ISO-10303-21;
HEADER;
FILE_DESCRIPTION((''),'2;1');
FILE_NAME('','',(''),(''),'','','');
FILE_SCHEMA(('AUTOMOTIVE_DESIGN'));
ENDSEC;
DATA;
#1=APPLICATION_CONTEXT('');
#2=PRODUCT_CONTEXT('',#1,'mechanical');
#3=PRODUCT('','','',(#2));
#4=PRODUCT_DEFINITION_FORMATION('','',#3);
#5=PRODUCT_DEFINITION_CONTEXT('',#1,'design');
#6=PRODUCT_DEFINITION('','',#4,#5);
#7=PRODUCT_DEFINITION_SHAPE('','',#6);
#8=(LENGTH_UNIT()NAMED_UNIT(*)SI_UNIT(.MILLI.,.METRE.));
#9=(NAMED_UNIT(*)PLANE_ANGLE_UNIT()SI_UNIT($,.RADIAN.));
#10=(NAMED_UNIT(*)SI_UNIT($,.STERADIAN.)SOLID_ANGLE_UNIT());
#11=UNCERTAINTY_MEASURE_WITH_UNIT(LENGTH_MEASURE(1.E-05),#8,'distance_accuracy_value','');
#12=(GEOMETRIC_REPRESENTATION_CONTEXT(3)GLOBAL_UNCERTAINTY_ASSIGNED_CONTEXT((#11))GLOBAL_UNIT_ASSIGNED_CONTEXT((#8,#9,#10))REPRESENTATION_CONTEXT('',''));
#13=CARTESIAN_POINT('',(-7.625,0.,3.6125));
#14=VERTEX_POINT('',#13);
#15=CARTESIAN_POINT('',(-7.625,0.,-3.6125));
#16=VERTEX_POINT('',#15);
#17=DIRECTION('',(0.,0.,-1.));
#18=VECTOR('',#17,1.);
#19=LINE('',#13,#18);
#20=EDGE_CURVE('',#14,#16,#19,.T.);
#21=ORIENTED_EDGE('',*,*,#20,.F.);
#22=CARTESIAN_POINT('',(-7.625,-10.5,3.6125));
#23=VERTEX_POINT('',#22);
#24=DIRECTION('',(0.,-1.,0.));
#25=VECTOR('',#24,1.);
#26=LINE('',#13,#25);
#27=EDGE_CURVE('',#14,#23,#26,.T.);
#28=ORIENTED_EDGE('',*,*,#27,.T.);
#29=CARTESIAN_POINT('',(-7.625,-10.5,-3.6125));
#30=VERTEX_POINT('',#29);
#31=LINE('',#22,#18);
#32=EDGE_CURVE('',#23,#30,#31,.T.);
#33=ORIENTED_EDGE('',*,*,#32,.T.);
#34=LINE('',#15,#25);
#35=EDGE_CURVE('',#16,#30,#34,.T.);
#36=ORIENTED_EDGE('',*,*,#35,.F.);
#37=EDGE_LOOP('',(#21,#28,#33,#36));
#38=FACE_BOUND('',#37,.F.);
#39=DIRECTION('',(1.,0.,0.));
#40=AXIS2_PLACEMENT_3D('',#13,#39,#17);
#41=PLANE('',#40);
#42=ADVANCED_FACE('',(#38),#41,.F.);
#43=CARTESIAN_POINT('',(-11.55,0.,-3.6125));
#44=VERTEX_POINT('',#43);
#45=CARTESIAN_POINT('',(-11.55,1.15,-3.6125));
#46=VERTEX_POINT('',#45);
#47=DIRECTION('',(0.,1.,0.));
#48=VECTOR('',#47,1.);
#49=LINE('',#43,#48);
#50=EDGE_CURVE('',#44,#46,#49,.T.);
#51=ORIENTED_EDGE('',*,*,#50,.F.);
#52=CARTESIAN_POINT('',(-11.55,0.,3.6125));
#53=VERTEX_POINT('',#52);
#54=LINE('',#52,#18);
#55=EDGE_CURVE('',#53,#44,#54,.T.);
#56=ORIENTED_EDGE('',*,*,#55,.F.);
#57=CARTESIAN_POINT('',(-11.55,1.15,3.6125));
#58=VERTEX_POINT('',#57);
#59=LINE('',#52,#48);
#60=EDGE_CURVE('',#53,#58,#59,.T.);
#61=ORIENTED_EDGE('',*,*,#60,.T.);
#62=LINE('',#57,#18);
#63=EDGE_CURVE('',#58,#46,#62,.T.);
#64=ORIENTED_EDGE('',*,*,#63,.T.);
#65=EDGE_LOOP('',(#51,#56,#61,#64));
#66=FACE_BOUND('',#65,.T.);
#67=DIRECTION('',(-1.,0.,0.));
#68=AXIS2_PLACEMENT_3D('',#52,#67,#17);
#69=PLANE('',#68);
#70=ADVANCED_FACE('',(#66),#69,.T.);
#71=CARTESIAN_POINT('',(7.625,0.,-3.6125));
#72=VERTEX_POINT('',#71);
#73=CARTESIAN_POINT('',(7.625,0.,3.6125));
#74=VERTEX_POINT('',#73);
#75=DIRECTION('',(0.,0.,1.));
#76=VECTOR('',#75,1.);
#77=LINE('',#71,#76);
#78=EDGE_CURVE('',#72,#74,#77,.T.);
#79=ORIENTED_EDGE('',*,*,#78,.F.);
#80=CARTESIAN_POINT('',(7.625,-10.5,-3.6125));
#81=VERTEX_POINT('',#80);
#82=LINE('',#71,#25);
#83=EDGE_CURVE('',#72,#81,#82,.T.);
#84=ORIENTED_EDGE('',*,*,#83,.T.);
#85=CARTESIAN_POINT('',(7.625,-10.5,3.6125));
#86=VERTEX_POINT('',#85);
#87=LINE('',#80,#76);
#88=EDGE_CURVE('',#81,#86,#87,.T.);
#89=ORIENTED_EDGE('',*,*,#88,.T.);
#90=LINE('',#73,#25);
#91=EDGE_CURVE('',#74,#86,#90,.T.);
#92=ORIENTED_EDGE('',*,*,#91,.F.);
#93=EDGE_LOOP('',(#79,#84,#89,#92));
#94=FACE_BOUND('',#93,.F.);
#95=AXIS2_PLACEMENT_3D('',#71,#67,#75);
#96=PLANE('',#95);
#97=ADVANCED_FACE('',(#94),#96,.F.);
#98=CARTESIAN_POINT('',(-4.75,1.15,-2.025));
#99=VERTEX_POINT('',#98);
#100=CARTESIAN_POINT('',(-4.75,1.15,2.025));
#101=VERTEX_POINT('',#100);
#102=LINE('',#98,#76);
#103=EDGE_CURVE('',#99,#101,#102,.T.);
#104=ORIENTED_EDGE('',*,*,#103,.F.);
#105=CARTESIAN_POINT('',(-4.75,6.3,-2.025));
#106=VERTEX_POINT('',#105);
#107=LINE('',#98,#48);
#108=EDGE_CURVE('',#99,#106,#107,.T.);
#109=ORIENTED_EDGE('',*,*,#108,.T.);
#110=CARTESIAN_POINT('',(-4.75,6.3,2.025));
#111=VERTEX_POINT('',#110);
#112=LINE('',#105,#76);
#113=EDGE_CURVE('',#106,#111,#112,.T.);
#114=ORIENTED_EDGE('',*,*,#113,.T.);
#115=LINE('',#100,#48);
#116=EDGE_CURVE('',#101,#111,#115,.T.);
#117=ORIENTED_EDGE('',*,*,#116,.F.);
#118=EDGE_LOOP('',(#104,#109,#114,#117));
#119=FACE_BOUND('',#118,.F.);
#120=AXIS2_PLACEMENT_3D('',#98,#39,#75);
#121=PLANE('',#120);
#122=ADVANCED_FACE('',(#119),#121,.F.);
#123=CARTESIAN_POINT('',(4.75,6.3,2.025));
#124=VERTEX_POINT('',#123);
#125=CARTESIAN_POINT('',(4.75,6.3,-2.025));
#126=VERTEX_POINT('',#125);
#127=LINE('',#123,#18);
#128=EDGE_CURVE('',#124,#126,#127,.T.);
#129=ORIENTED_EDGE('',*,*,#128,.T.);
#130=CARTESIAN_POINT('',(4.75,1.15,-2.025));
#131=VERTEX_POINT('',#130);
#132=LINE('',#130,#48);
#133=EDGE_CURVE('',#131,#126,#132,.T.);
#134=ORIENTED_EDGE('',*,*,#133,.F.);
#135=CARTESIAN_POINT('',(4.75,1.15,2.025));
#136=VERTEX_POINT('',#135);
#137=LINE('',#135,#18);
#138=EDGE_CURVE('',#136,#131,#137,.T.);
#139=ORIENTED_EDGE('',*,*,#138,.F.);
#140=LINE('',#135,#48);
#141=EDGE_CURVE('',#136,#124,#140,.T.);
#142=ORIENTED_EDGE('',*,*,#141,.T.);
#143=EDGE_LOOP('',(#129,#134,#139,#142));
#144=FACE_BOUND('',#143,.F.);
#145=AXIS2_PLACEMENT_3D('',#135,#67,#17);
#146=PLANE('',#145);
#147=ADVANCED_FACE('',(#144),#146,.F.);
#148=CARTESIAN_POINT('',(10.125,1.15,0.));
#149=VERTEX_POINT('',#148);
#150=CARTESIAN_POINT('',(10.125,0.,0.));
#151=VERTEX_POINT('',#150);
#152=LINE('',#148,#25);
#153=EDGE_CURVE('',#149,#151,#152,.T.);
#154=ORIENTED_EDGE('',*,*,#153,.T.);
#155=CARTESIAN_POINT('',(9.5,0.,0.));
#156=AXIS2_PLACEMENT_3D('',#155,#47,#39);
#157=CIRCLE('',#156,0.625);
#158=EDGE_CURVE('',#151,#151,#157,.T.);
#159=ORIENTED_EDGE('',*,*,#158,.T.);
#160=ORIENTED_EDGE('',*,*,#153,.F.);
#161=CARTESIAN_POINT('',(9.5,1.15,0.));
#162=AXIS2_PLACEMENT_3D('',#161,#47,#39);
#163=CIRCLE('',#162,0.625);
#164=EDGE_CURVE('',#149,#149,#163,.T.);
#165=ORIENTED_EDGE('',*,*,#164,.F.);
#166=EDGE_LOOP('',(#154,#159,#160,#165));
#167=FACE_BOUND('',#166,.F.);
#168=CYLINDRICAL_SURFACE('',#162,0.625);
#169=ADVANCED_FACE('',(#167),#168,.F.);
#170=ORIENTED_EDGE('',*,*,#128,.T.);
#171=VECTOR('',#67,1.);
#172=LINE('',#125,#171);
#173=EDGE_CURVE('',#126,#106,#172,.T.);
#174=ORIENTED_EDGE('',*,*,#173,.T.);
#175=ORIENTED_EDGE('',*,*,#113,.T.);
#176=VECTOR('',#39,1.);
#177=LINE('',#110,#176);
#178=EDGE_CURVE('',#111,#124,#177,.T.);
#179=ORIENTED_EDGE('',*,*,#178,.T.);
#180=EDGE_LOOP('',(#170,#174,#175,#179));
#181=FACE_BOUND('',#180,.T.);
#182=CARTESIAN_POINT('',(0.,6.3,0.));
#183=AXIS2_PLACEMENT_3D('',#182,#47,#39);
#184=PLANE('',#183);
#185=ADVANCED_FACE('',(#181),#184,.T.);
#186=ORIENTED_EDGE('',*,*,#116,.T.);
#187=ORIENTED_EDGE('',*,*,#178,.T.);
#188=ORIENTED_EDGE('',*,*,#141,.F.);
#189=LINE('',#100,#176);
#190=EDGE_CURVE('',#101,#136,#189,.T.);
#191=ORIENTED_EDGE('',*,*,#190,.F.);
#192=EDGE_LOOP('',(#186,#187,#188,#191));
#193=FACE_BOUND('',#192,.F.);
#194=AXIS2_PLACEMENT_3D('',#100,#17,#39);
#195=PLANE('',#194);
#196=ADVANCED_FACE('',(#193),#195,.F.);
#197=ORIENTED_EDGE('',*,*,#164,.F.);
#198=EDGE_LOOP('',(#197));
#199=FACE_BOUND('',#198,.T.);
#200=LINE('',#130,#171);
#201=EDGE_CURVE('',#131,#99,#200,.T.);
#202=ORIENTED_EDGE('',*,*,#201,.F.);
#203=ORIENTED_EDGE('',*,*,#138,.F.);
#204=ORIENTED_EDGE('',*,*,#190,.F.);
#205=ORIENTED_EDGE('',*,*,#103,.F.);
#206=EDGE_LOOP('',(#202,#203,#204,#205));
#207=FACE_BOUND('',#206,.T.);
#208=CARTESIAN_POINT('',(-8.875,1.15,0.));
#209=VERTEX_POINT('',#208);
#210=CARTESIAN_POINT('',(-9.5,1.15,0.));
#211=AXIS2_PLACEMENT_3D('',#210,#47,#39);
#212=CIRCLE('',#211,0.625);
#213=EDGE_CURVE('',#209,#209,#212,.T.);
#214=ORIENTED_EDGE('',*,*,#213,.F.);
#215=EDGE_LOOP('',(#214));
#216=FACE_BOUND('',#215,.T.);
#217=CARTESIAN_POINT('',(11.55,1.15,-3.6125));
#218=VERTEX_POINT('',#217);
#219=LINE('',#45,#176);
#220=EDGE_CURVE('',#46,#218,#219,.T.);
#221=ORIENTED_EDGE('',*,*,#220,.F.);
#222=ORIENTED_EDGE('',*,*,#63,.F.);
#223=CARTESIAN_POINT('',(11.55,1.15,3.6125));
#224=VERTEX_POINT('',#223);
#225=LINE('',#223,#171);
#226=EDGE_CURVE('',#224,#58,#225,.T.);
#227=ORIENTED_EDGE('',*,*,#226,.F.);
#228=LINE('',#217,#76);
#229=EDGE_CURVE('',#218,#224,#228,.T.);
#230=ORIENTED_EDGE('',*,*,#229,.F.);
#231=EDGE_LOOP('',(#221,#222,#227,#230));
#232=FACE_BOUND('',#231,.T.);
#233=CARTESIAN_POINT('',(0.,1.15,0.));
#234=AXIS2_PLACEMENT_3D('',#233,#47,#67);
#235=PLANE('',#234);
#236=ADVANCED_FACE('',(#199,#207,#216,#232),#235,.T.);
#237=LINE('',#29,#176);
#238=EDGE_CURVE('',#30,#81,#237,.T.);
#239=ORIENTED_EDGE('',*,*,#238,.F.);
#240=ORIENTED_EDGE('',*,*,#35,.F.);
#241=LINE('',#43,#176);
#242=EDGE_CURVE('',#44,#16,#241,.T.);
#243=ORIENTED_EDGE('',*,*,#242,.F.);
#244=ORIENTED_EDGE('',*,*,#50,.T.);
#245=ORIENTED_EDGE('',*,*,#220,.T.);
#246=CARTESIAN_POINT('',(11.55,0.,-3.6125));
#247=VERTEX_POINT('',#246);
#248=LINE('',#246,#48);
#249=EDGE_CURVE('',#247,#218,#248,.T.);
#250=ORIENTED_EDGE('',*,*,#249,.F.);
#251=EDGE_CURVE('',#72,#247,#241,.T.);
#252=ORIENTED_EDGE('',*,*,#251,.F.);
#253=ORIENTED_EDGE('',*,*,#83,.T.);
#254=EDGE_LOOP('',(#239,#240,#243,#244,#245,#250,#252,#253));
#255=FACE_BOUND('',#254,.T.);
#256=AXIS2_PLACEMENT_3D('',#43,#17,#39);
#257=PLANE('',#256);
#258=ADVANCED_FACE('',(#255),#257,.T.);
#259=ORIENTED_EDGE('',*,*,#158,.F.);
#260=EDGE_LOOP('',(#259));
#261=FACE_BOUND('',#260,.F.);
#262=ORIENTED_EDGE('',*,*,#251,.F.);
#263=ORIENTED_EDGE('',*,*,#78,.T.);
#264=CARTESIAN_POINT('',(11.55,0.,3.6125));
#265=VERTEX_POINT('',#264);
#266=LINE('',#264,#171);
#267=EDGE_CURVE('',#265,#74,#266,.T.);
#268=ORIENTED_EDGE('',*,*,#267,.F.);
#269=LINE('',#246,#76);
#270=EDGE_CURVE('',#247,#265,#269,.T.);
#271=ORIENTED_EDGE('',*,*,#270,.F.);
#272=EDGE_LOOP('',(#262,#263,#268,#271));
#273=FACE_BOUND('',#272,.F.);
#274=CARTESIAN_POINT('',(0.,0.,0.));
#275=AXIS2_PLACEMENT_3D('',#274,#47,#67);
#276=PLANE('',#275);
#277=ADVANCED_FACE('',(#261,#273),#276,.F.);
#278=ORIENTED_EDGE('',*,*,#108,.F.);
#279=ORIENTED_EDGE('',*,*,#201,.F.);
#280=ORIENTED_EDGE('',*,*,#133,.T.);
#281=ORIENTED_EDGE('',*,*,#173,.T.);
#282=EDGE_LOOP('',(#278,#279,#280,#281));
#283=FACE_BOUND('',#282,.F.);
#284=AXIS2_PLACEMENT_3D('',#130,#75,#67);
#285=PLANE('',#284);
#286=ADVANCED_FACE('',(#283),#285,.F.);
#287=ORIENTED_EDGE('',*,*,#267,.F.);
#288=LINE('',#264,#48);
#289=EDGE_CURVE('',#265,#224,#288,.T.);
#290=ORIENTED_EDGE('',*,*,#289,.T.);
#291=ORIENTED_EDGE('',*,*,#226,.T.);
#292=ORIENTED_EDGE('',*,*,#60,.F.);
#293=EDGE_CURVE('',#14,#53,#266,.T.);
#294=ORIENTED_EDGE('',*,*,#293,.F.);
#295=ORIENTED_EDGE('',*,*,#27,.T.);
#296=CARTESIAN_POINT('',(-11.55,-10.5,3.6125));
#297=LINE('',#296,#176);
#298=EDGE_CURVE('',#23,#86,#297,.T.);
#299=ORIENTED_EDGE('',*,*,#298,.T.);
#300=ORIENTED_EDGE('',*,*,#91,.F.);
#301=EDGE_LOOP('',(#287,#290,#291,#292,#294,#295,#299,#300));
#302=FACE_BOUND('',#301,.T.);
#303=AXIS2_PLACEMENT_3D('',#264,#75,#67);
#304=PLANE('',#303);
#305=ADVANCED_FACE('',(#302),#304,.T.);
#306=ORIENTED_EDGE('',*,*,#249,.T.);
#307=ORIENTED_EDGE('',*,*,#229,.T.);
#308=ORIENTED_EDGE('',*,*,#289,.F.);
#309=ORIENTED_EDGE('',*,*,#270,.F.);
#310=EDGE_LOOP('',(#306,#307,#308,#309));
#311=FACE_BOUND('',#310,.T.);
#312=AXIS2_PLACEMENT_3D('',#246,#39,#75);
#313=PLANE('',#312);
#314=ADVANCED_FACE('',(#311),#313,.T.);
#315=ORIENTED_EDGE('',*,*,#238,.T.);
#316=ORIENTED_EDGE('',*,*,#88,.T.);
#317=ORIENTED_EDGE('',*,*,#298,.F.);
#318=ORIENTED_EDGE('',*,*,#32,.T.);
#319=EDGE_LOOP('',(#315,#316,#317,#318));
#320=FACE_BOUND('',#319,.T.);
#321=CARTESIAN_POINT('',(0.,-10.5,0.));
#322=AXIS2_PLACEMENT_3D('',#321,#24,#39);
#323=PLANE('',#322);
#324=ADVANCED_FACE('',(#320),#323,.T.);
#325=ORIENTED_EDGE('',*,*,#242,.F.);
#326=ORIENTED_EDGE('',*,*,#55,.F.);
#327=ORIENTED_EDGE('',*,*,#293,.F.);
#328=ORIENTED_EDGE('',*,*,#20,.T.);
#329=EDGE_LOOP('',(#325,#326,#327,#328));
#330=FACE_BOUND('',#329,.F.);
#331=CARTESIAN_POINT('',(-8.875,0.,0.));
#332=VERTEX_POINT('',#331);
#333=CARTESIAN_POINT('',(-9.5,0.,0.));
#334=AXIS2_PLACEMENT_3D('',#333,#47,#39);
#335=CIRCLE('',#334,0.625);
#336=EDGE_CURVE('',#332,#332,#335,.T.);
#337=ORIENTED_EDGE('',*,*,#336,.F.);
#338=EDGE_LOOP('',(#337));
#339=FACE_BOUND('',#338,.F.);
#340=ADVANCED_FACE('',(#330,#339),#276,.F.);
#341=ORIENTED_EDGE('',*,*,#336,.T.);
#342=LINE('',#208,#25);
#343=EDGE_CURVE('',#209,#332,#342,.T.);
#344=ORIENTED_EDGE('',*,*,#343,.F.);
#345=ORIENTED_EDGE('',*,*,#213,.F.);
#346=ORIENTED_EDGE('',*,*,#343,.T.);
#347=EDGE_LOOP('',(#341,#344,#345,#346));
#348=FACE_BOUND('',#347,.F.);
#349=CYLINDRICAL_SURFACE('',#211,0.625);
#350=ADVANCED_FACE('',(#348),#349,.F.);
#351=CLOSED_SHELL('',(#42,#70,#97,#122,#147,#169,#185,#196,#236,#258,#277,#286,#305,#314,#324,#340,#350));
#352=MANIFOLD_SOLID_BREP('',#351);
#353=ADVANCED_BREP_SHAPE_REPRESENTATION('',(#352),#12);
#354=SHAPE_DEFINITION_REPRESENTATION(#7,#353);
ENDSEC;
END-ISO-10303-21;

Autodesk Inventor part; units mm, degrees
ref_plane "XZ Plane" through (0, 0, 0) normal (0, 1, 0) x (-1, 0, 0)
ref_plane "XY Plane" through (0, 0, 0) normal (0, 0, 1) x (1, 0, 0)
sketch "Sketch1" plane through (0, 0, 0) normal (0, 1, 0) x (-1, 0, 0)
  line L0 (-11.55, 3.6125) -> (11.55, 3.6125)
  line L1 (11.55, 3.6125) -> (11.55, -3.6125)
  line L2 (11.55, -3.6125) -> (-11.55, -3.6125)
  line L3 (-11.55, -3.6125) -> (-11.55, 3.6125)
  line L4 (-11.55, 3.6125) -> (11.55, -3.6125) construction
  line L5 (11.55, 3.6125) -> (-11.55, -3.6125) construction
  point P0 (0, 0)
  dimension "d0" = 23.1
  dimension "d1" = 7.225
extrude "Extrusion1" add sketch "Sketch1" along normal blind 1.15
sketch "Sketch2" plane through (0, 0, 0) normal (0, -1, 0) x (1, 0, 0)
  line L0 (-11.55, 3.6125) -> (11.55, 3.6125) projected
  line L1 (-7.625, -3.6125) -> (7.625, -3.6125)
  line L2 (7.625, -3.6125) -> (7.625, 3.6125)
  line L3 (7.625, 3.6125) -> (-7.625, 3.6125)
  line L4 (-7.625, 3.6125) -> (-7.625, -3.6125)
  line L5 (-7.625, -3.6125) -> (7.625, 3.6125) construction
  line L6 (7.625, -3.6125) -> (-7.625, 3.6125) construction
  point P0 (0, 0)
  dimension "d4" = 15.25
extrude "Extrusion2" add sketch "Sketch2" along normal blind 10.5
sketch "Sketch3" plane through (0, 1.15, 0) normal (0, 1, 0) x (1, 0, 0)
  line L0 (-4.75, -2.025) -> (4.75, -2.025)
  line L1 (4.75, -2.025) -> (4.75, 2.025)
  line L2 (4.75, 2.025) -> (-4.75, 2.025)
  line L3 (-4.75, 2.025) -> (-4.75, -2.025)
  line L4 (-4.75, -2.025) -> (4.75, 2.025) construction
  line L5 (4.75, -2.025) -> (-4.75, 2.025) construction
  point P0 (0, 0)
  dimension "d7" = 9.5
  dimension "d8" = 4.05
extrude "Extrusion3" add sketch "Sketch3" along normal blind 5.15
sketch "Sketch4" plane through (0, 1.15, 0) normal (0, 1, 0) x (1, 0, 0)
  line L0 (11.55, 3.6125) -> (-11.55, 3.6125) construction
  line L1 (0, 3.6125) -> (0, -3.6125) construction
  line L2 (-11.55, -3.6125) -> (11.55, -3.6125) construction
  line L3 (-11.55, 3.6125) -> (-11.55, -3.6125) construction
  line L4 (-11.55, 0) -> (11.55, 0) construction
  line L5 (11.55, -3.6125) -> (11.55, 3.6125) construction
  circle A0 centre (9.5, 0) radius 0.625
  circle A1 centre (-9.5, 0) radius 0.625
  point P0 (0, 0)
  dimension "d11" = 1.25
  dimension "d12" = 9.5
extrude "Extrusion4" cut sketch "Sketch4" against normal up to surface (1.15 mm away)
properties part number "Switch"
